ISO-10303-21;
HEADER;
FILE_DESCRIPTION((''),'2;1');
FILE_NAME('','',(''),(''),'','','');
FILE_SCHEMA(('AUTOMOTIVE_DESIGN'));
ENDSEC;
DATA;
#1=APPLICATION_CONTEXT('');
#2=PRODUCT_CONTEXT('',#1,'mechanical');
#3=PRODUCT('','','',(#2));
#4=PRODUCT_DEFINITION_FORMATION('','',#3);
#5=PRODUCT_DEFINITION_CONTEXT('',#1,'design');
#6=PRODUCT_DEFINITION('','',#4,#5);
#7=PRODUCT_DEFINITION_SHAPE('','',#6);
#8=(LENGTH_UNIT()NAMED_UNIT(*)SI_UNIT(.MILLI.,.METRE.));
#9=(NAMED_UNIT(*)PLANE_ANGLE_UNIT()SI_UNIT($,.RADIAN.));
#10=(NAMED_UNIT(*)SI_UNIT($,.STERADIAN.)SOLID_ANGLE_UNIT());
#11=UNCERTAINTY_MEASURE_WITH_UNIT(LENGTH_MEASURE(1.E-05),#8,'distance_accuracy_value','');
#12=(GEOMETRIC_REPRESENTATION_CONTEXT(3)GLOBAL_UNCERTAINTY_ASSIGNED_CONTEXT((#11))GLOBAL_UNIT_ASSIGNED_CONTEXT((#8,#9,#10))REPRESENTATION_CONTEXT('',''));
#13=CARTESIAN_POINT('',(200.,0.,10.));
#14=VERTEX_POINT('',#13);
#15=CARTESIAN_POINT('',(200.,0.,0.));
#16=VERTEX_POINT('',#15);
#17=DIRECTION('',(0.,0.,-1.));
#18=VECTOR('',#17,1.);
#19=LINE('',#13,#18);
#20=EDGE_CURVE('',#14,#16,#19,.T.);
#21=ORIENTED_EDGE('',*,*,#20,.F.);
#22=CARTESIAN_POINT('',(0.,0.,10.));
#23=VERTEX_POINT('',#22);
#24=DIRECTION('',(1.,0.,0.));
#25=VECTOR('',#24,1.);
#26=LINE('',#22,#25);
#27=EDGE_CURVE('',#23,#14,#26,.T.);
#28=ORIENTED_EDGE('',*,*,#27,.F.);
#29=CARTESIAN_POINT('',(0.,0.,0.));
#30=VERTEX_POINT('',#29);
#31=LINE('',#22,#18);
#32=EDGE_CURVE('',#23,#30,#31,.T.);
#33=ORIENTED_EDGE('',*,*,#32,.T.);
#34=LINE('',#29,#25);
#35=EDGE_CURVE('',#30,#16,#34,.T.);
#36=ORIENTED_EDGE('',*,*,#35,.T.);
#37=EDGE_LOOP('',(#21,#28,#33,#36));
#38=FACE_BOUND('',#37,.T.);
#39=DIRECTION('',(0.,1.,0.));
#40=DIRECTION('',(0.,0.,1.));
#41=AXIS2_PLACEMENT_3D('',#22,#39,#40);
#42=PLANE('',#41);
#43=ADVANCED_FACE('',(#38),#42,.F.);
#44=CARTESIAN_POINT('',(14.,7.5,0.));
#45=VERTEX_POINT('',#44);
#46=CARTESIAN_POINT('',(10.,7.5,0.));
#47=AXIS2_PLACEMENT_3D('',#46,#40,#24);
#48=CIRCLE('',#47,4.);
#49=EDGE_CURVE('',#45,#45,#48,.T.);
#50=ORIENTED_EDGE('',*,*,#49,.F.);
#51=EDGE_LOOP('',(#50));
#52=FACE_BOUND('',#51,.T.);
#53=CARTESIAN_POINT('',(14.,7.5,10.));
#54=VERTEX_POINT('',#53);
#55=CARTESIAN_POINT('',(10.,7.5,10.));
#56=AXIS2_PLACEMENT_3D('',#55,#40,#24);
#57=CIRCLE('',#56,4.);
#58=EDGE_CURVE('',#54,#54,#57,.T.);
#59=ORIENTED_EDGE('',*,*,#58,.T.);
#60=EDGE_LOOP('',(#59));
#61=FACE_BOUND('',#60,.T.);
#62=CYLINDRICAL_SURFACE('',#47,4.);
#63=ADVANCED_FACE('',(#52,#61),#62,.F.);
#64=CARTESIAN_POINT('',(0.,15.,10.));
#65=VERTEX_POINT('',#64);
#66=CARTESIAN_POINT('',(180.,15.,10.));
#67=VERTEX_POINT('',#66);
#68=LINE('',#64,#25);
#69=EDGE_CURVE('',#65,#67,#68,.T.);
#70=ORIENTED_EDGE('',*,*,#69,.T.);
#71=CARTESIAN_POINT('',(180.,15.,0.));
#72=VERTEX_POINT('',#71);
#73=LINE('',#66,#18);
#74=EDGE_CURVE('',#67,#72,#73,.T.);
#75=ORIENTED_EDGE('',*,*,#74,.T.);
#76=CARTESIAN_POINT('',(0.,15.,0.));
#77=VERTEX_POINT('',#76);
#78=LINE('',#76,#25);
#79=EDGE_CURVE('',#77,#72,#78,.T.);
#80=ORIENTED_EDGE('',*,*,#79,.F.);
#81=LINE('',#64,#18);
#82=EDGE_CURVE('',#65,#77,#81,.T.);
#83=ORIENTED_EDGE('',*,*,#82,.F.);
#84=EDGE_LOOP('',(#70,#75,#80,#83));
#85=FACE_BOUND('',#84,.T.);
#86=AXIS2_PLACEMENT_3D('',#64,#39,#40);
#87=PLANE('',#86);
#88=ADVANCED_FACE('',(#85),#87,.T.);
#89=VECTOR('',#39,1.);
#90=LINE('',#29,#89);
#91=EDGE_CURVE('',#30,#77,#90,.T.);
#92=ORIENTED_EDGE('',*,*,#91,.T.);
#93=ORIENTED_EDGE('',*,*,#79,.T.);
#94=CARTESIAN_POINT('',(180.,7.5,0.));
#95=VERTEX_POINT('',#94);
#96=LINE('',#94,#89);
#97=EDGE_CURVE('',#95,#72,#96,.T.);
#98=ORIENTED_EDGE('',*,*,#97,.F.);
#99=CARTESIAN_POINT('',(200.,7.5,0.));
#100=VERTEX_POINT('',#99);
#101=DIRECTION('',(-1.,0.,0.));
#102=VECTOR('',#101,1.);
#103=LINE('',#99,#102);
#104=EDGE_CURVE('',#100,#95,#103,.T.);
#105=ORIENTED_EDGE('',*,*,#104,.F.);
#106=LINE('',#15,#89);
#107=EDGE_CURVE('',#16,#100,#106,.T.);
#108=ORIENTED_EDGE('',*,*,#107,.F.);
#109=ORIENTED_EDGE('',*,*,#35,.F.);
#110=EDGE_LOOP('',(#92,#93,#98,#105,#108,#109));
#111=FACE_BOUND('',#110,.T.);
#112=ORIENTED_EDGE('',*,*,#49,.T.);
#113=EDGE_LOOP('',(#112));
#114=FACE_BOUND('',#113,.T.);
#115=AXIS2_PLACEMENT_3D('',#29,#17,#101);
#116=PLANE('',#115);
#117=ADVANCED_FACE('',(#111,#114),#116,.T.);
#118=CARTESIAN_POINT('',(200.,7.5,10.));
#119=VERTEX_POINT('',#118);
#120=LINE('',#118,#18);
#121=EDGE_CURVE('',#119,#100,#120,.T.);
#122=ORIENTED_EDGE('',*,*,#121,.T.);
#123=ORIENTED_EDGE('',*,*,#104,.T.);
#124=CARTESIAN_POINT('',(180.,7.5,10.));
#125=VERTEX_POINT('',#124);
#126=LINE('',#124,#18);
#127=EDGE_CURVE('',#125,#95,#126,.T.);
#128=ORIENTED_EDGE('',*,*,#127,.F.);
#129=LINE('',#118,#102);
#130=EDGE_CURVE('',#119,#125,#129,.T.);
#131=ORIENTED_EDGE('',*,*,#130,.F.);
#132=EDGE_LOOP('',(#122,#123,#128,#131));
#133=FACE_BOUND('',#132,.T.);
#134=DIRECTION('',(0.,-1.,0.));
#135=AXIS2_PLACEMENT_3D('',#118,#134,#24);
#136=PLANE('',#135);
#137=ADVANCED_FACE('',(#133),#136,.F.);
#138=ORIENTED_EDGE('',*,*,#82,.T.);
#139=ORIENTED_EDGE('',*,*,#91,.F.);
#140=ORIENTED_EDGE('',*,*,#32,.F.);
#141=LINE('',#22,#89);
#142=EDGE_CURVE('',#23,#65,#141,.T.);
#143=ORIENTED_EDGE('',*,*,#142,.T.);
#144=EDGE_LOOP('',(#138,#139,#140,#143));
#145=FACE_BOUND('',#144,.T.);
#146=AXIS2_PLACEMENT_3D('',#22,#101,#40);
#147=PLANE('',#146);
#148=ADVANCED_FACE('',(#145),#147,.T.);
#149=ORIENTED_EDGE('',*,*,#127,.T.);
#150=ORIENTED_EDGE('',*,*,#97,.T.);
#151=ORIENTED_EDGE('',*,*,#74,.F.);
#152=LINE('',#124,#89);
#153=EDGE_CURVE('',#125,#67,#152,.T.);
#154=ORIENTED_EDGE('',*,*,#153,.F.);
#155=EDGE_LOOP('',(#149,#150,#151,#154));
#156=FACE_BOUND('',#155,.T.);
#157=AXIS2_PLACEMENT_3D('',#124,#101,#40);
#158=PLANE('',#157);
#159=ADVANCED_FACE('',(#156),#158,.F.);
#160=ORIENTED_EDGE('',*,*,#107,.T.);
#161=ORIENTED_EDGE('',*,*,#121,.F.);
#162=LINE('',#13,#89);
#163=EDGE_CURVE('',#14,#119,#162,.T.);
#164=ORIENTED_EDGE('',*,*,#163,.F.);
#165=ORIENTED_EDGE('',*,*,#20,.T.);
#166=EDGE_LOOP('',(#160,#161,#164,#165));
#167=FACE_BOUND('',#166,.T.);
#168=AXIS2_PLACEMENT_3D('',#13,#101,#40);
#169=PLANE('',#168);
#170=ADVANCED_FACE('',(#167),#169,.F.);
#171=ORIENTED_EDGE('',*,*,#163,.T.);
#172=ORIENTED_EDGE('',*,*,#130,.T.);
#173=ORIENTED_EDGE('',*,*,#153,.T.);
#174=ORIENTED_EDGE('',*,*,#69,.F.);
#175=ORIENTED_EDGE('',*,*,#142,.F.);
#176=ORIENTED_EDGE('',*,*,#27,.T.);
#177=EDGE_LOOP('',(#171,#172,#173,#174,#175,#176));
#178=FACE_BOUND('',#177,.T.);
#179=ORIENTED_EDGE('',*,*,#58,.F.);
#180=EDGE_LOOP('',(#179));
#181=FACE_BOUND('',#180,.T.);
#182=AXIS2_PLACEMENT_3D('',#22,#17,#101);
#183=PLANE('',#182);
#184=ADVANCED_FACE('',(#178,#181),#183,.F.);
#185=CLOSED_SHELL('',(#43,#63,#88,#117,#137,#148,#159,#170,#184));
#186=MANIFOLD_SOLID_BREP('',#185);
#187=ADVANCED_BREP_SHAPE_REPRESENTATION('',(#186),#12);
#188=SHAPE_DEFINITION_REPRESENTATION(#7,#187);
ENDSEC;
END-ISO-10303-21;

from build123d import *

# Parameters (mm, degrees)
BOSS_EXTRUDE1_DEPTH = 10
SKETCH3_R           = 4
CUT_EXTRUDE1_DEPTH  = 10


with BuildPart() as part:
    # Sketch1 → Boss-Extrude1 (new body)
    with BuildSketch(Plane.XY):
        Polygon((200, 7.5), (180, 7.5), (180, 15), (0, 15), (0, 0), (200, 0), align=None)
    extrude(amount=BOSS_EXTRUDE1_DEPTH)

    # Sketch3 → Cut-Extrude1 (cut)
    with BuildSketch(Plane.XY.offset(10)):
        with Locations((10, 7.5)):
            Circle(SKETCH3_R)
    extrude(amount=-CUT_EXTRUDE1_DEPTH, mode=Mode.SUBTRACT)


solid = part.part
